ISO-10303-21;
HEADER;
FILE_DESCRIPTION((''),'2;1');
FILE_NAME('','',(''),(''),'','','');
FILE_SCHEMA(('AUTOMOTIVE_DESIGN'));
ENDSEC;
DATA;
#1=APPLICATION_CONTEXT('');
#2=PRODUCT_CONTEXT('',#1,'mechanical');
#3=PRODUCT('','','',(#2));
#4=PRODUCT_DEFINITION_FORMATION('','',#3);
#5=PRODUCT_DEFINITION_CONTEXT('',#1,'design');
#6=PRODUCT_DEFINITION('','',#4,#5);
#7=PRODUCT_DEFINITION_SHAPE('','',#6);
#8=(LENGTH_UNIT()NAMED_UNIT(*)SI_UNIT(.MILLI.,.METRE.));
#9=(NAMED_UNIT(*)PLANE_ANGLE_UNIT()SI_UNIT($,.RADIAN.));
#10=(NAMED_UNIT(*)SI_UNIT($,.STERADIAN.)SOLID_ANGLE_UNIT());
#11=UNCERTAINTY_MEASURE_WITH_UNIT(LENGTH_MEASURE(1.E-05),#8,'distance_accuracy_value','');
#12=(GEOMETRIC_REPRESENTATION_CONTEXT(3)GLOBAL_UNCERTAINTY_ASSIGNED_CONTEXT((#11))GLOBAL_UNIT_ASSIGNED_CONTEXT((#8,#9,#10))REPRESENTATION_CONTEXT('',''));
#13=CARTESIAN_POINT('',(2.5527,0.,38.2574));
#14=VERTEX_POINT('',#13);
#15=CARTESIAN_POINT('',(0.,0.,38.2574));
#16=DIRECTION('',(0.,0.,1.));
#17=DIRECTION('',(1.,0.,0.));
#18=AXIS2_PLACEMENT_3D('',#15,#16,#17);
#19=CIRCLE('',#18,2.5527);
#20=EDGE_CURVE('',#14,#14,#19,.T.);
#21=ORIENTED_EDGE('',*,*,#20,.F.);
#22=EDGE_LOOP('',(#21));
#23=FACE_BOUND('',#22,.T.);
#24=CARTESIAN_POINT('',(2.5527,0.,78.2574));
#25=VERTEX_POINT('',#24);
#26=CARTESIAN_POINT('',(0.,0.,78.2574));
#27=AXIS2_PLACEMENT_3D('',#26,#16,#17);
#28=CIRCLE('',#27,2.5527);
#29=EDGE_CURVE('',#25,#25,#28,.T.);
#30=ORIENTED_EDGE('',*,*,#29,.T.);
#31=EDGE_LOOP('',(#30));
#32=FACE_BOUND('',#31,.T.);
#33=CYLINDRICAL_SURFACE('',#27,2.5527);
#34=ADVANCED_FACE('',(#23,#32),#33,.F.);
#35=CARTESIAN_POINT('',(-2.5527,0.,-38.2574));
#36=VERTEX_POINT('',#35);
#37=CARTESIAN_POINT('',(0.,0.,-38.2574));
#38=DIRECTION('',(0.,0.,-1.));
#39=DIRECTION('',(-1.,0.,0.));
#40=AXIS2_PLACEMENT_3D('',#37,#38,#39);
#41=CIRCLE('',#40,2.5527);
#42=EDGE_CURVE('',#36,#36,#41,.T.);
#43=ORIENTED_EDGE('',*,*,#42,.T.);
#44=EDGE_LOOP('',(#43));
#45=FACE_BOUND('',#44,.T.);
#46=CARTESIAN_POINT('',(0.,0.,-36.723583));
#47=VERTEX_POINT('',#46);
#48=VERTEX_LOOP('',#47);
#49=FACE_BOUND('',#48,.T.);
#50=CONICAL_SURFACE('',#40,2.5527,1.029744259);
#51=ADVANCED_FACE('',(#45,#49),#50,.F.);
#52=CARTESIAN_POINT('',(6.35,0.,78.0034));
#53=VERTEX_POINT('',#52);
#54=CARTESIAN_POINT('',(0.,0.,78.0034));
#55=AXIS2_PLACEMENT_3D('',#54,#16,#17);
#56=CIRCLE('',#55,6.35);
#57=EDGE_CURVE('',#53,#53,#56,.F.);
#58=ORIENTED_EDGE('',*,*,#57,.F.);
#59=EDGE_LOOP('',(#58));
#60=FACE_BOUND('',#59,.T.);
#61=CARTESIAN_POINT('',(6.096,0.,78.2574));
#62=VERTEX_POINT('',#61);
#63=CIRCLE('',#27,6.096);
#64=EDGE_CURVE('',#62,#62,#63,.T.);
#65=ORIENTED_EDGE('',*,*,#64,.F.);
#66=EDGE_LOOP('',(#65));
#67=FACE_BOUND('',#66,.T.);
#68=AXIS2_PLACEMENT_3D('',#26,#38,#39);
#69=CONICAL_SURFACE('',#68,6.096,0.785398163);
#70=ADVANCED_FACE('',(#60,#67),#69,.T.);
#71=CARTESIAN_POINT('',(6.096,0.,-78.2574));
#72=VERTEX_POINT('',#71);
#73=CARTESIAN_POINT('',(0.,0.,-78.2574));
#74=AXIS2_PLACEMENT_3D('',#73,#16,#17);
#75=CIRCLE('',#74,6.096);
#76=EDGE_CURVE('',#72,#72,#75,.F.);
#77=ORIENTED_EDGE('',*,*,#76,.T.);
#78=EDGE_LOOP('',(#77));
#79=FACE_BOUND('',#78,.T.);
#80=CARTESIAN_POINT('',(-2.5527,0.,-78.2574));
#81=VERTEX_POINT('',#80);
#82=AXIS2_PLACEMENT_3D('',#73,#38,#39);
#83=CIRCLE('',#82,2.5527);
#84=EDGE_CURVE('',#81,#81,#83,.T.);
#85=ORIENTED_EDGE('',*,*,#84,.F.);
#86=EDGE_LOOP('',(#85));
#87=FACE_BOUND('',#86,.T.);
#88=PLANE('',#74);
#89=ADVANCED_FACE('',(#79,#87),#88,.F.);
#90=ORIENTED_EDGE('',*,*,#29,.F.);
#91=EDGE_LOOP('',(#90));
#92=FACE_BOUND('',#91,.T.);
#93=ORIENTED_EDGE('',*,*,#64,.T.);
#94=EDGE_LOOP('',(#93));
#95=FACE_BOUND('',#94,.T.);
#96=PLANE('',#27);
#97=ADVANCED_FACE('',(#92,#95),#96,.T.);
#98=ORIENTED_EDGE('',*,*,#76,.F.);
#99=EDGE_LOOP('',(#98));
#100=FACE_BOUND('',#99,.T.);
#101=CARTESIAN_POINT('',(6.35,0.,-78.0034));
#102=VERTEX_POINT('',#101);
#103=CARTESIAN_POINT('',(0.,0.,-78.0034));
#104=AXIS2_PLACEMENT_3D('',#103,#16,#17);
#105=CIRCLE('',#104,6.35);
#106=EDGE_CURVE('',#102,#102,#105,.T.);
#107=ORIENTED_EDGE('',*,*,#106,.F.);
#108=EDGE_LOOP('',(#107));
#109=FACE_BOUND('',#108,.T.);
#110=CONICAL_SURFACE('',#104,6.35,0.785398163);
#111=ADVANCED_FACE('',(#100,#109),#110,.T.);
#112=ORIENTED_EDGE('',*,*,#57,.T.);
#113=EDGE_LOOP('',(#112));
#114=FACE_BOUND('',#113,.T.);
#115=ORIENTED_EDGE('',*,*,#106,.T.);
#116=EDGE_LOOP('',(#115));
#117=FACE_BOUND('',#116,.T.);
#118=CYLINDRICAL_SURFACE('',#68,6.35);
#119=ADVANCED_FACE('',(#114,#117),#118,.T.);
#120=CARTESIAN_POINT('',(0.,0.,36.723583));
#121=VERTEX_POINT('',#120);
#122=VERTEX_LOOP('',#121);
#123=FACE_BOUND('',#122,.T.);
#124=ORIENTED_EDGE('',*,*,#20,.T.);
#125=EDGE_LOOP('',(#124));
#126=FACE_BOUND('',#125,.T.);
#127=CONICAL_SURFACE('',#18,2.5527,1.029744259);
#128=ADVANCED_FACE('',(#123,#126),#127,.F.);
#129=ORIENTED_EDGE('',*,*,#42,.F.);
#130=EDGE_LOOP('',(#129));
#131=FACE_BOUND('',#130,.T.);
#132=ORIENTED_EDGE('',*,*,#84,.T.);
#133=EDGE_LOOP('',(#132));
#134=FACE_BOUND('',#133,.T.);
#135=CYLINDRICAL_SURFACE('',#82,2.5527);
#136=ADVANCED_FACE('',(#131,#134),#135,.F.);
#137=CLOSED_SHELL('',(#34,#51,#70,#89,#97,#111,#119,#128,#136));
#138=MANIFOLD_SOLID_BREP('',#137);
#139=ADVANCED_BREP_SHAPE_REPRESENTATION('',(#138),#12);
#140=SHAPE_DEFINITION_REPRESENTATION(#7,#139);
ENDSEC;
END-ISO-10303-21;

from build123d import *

# Parameters (mm, degrees)
SKETCH1_R                   = 6.35
BOSS_EXTRUDE1_DEPTH         = 78.2574
F_1_4_20_TAPPED_HOLE1_D     = 5.1054
F_1_4_20_TAPPED_HOLE1_DEPTH = 40
F_1_4_20_TAPPED_HOLE1_TIP   = 1.533816902
F_1_4_20_TAPPED_HOLE2_D     = 5.1054
F_1_4_20_TAPPED_HOLE2_DEPTH = 40
F_1_4_20_TAPPED_HOLE2_TIP   = 1.533816902
CHAMFER1_SIZE               = 0.254


with BuildPart() as part:
    # Sketch1 → Boss-Extrude1 (new body, symmetric)
    with BuildSketch(Plane.XY):
        Circle(SKETCH1_R)
    extrude(amount=BOSS_EXTRUDE1_DEPTH, both=True)

    # 1/4-20 Tapped Hole1
    with Locations(Plane.XY.offset(78.2574)):
        with Locations((0, 0)):
            Hole(F_1_4_20_TAPPED_HOLE1_D / 2, depth=F_1_4_20_TAPPED_HOLE1_DEPTH)
            with Locations((0, 0, -(F_1_4_20_TAPPED_HOLE1_DEPTH + F_1_4_20_TAPPED_HOLE1_TIP / 2))):  # 118° drill point
                Cone(0, F_1_4_20_TAPPED_HOLE1_D / 2, F_1_4_20_TAPPED_HOLE1_TIP, mode=Mode.SUBTRACT)

    # 1/4-20 Tapped Hole2
    with Locations(Plane(origin=(0, 0, -78.2574), x_dir=(-1, 0, 0), z_dir=(0, 0, -1))):
        with Locations((0, 0)):
            Hole(F_1_4_20_TAPPED_HOLE2_D / 2, depth=F_1_4_20_TAPPED_HOLE2_DEPTH)
            with Locations((0, 0, -(F_1_4_20_TAPPED_HOLE2_DEPTH + F_1_4_20_TAPPED_HOLE2_TIP / 2))):  # 118° drill point
                Cone(0, F_1_4_20_TAPPED_HOLE2_D / 2, F_1_4_20_TAPPED_HOLE2_TIP, mode=Mode.SUBTRACT)

    # Chamfer1
    chamfer1_edges = [part.edges().sort_by_distance(p)[0] for p in [
        (-6.35, 0, -78.2574),
        (-6.35, 0, 78.2574),
    ]]
    chamfer(chamfer1_edges, length=CHAMFER1_SIZE)


solid = part.part
